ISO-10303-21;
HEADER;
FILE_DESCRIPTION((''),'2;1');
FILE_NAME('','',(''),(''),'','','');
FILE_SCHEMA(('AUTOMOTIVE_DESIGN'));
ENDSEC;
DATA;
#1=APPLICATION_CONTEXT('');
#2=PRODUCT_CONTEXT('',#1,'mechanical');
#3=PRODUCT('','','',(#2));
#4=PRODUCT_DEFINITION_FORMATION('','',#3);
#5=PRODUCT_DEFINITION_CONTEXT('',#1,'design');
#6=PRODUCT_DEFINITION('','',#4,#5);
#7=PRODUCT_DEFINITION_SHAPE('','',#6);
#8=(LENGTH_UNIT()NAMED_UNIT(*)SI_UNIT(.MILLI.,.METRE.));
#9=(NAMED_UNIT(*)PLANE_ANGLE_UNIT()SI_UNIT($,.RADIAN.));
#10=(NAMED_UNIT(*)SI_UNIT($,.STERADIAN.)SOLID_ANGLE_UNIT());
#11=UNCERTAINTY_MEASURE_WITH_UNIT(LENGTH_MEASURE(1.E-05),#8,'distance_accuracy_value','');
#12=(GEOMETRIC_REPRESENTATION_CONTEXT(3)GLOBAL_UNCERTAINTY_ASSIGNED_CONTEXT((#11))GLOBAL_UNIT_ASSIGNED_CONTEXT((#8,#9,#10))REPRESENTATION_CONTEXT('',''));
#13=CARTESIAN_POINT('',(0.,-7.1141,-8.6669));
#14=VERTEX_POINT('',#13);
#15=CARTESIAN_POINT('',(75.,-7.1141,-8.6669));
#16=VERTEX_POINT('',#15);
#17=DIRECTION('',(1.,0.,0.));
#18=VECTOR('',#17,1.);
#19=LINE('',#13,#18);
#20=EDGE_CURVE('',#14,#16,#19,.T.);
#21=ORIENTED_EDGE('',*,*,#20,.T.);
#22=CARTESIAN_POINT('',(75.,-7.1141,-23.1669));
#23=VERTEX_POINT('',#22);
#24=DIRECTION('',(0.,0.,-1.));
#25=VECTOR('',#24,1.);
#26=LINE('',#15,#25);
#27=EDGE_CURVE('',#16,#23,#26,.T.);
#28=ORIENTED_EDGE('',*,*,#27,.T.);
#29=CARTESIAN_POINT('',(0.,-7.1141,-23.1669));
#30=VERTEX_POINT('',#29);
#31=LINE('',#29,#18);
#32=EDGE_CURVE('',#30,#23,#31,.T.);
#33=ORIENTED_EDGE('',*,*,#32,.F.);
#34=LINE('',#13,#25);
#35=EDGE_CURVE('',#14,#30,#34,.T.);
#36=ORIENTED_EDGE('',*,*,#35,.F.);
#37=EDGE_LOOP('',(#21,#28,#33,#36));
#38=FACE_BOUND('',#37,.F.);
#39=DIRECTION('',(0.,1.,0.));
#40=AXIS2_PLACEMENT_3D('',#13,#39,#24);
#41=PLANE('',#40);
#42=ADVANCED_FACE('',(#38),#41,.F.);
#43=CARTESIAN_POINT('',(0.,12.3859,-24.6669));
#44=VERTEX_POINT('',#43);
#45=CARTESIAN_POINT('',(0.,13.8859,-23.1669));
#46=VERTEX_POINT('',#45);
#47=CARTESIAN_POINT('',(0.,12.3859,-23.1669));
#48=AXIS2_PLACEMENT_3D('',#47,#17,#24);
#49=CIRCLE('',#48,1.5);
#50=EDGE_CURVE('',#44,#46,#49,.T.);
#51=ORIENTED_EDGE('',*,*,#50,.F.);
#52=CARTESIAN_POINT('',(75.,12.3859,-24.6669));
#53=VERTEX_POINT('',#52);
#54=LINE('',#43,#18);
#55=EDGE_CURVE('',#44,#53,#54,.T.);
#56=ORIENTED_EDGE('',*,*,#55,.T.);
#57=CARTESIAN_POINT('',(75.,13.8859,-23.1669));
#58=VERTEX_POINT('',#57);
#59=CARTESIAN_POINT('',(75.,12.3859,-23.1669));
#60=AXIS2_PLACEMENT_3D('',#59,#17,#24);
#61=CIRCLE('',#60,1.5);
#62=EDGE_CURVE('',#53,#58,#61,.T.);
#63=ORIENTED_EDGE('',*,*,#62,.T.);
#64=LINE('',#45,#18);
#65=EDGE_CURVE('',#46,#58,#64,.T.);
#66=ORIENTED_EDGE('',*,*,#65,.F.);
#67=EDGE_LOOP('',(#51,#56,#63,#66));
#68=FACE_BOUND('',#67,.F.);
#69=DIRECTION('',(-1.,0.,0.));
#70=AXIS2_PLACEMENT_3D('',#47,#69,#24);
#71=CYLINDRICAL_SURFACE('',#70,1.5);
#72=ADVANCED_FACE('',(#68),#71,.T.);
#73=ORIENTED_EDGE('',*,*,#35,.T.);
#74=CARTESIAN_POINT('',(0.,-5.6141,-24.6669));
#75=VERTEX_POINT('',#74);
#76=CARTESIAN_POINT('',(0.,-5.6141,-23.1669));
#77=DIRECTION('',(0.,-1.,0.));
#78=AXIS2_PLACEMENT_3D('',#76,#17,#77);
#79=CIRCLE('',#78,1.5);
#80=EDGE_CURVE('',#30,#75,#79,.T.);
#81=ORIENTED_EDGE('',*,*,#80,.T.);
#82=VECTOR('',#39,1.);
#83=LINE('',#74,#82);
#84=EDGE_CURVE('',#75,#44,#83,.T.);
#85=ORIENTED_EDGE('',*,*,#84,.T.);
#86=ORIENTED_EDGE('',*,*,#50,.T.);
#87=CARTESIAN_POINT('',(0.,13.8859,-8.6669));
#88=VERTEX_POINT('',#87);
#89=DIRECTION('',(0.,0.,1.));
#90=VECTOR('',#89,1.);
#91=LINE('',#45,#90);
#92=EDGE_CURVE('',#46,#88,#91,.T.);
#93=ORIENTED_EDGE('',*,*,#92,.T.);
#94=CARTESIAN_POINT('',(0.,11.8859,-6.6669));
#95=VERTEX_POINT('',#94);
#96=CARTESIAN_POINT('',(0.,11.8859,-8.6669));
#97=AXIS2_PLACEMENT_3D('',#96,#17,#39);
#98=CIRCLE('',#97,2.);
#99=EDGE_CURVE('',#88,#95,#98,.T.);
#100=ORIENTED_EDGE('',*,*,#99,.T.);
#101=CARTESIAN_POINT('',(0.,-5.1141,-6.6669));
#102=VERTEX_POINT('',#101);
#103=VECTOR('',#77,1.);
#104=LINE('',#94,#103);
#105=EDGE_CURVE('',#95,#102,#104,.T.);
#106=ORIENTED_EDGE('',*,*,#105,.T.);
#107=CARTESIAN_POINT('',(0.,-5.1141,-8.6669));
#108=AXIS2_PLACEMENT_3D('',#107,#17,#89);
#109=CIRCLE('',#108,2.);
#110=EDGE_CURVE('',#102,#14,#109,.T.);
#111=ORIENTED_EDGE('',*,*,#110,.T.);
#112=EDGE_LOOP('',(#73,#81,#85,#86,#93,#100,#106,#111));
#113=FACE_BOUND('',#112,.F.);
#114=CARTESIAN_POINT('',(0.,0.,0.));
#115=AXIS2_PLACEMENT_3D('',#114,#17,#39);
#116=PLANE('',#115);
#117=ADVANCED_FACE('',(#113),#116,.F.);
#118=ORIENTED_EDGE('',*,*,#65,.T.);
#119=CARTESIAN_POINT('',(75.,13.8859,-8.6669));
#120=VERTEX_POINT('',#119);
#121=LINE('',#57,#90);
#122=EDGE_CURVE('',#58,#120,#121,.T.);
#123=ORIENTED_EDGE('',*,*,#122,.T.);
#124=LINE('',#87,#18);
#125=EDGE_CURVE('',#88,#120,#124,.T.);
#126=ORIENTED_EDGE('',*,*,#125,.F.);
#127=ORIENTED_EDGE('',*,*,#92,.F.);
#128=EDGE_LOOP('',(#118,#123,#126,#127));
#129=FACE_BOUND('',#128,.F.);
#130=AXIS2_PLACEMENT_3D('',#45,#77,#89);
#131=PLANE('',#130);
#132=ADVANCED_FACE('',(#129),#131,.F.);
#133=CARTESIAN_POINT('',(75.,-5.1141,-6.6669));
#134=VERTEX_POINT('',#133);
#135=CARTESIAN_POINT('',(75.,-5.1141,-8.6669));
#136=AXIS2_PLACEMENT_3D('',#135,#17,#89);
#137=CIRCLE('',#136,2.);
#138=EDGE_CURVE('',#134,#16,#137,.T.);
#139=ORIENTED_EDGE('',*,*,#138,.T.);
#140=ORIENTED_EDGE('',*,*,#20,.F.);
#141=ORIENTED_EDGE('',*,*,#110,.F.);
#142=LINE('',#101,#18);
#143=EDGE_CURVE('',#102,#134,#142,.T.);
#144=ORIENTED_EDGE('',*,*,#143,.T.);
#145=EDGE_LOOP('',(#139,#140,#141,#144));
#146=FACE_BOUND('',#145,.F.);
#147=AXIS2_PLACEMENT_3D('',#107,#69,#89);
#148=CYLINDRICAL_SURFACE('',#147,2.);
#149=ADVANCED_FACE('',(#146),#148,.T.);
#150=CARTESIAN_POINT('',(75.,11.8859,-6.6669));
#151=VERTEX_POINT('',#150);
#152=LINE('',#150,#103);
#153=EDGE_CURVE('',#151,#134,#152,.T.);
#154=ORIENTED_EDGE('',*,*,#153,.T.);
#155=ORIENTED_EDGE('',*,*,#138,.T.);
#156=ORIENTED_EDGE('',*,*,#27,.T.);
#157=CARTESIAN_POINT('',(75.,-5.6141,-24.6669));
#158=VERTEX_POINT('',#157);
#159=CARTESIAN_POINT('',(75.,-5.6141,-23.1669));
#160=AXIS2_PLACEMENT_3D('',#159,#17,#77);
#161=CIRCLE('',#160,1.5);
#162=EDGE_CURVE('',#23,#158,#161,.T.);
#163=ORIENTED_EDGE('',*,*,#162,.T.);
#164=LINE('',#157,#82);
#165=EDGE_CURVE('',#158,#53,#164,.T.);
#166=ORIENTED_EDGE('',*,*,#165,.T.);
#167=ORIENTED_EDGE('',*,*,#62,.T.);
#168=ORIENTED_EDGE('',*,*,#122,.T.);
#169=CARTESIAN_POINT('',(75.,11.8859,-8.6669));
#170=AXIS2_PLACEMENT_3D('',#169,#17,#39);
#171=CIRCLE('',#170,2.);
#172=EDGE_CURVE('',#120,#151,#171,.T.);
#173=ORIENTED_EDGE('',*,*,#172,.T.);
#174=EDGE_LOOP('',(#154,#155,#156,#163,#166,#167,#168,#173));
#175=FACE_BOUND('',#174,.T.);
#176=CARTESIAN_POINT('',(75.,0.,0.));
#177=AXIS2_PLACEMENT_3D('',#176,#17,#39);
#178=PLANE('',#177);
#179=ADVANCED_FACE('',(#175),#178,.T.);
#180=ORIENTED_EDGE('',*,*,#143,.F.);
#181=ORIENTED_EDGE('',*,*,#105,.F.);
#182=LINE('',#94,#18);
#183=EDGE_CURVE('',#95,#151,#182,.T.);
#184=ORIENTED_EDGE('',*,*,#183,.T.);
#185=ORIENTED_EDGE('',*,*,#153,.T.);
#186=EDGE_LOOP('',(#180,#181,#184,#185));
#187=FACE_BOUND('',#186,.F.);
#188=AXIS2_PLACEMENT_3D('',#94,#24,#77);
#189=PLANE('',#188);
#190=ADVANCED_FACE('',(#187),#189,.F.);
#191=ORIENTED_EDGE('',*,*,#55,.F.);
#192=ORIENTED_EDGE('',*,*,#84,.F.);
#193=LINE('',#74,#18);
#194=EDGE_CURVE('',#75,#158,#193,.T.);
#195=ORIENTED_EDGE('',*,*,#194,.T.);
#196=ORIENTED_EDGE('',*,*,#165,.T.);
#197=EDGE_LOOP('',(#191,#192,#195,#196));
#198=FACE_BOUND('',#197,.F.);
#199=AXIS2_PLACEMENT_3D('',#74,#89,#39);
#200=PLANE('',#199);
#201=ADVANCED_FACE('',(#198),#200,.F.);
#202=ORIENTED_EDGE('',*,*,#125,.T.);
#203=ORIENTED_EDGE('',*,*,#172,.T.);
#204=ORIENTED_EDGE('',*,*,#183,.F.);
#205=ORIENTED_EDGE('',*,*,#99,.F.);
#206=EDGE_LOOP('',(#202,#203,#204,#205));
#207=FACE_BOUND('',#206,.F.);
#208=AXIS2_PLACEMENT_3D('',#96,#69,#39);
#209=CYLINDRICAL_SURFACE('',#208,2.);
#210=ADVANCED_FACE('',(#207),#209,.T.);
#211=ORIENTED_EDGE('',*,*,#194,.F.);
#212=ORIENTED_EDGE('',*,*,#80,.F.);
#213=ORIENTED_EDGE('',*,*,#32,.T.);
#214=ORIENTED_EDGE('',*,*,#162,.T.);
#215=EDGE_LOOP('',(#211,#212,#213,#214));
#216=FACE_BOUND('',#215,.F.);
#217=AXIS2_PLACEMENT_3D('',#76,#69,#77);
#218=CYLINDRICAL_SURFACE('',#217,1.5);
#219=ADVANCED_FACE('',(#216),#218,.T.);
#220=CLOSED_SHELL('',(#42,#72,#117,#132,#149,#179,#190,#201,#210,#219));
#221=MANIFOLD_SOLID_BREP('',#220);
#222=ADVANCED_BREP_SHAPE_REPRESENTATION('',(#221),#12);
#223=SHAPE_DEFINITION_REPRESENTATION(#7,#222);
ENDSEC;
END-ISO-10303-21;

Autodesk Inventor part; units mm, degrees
ref_plane "YZ Plane" through (0, 0, 0) normal (1, 0, 0) x (0, 1, 0)
ref_plane "XZ Plane" through (0, 0, 0) normal (0, 1, 0) x (-1, 0, 0)
ref_plane "XY Plane" through (0, 0, 0) normal (0, 0, 1) x (1, 0, 0)
sketch "Sketch1" plane through (0, 0, 0) normal (1, 0, 0) x (0, 1, 0)
  line L0 (11.8859, -6.6669) -> (-5.1141, -6.6669)
  line L1 (-7.1141, -8.6669) -> (-7.1141, -23.1669)
  line L2 (-5.6141, -24.6669) -> (12.3859, -24.6669)
  line L3 (13.8859, -23.1669) -> (13.8859, -8.6669)
  arc A0 (13.8859, -8.6669) -> (11.8859, -6.6669) centre (11.8859, -8.6669) ccw
  arc A1 (-5.1141, -6.6669) -> (-7.1141, -8.6669) centre (-5.1141, -8.6669) ccw
  arc A2 (12.3859, -24.6669) -> (13.8859, -23.1669) centre (12.3859, -23.1669) ccw
  arc A3 (-7.1141, -23.1669) -> (-5.6141, -24.6669) centre (-5.6141, -23.1669) ccw
  point P0 (0, 0)
  point P1 (-7.1141, -24.6669)
  point P2 (-7.1141, -6.6669)
  point P3 (13.8859, -24.6669)
  dimension "d0" = 21
  dimension "d1" = 18
  dimension "d2" = 2
  dimension "d3" = 1.5
extrude "Extrusion1" add sketch "Sketch1" along normal blind 75
properties part number "Batt"
